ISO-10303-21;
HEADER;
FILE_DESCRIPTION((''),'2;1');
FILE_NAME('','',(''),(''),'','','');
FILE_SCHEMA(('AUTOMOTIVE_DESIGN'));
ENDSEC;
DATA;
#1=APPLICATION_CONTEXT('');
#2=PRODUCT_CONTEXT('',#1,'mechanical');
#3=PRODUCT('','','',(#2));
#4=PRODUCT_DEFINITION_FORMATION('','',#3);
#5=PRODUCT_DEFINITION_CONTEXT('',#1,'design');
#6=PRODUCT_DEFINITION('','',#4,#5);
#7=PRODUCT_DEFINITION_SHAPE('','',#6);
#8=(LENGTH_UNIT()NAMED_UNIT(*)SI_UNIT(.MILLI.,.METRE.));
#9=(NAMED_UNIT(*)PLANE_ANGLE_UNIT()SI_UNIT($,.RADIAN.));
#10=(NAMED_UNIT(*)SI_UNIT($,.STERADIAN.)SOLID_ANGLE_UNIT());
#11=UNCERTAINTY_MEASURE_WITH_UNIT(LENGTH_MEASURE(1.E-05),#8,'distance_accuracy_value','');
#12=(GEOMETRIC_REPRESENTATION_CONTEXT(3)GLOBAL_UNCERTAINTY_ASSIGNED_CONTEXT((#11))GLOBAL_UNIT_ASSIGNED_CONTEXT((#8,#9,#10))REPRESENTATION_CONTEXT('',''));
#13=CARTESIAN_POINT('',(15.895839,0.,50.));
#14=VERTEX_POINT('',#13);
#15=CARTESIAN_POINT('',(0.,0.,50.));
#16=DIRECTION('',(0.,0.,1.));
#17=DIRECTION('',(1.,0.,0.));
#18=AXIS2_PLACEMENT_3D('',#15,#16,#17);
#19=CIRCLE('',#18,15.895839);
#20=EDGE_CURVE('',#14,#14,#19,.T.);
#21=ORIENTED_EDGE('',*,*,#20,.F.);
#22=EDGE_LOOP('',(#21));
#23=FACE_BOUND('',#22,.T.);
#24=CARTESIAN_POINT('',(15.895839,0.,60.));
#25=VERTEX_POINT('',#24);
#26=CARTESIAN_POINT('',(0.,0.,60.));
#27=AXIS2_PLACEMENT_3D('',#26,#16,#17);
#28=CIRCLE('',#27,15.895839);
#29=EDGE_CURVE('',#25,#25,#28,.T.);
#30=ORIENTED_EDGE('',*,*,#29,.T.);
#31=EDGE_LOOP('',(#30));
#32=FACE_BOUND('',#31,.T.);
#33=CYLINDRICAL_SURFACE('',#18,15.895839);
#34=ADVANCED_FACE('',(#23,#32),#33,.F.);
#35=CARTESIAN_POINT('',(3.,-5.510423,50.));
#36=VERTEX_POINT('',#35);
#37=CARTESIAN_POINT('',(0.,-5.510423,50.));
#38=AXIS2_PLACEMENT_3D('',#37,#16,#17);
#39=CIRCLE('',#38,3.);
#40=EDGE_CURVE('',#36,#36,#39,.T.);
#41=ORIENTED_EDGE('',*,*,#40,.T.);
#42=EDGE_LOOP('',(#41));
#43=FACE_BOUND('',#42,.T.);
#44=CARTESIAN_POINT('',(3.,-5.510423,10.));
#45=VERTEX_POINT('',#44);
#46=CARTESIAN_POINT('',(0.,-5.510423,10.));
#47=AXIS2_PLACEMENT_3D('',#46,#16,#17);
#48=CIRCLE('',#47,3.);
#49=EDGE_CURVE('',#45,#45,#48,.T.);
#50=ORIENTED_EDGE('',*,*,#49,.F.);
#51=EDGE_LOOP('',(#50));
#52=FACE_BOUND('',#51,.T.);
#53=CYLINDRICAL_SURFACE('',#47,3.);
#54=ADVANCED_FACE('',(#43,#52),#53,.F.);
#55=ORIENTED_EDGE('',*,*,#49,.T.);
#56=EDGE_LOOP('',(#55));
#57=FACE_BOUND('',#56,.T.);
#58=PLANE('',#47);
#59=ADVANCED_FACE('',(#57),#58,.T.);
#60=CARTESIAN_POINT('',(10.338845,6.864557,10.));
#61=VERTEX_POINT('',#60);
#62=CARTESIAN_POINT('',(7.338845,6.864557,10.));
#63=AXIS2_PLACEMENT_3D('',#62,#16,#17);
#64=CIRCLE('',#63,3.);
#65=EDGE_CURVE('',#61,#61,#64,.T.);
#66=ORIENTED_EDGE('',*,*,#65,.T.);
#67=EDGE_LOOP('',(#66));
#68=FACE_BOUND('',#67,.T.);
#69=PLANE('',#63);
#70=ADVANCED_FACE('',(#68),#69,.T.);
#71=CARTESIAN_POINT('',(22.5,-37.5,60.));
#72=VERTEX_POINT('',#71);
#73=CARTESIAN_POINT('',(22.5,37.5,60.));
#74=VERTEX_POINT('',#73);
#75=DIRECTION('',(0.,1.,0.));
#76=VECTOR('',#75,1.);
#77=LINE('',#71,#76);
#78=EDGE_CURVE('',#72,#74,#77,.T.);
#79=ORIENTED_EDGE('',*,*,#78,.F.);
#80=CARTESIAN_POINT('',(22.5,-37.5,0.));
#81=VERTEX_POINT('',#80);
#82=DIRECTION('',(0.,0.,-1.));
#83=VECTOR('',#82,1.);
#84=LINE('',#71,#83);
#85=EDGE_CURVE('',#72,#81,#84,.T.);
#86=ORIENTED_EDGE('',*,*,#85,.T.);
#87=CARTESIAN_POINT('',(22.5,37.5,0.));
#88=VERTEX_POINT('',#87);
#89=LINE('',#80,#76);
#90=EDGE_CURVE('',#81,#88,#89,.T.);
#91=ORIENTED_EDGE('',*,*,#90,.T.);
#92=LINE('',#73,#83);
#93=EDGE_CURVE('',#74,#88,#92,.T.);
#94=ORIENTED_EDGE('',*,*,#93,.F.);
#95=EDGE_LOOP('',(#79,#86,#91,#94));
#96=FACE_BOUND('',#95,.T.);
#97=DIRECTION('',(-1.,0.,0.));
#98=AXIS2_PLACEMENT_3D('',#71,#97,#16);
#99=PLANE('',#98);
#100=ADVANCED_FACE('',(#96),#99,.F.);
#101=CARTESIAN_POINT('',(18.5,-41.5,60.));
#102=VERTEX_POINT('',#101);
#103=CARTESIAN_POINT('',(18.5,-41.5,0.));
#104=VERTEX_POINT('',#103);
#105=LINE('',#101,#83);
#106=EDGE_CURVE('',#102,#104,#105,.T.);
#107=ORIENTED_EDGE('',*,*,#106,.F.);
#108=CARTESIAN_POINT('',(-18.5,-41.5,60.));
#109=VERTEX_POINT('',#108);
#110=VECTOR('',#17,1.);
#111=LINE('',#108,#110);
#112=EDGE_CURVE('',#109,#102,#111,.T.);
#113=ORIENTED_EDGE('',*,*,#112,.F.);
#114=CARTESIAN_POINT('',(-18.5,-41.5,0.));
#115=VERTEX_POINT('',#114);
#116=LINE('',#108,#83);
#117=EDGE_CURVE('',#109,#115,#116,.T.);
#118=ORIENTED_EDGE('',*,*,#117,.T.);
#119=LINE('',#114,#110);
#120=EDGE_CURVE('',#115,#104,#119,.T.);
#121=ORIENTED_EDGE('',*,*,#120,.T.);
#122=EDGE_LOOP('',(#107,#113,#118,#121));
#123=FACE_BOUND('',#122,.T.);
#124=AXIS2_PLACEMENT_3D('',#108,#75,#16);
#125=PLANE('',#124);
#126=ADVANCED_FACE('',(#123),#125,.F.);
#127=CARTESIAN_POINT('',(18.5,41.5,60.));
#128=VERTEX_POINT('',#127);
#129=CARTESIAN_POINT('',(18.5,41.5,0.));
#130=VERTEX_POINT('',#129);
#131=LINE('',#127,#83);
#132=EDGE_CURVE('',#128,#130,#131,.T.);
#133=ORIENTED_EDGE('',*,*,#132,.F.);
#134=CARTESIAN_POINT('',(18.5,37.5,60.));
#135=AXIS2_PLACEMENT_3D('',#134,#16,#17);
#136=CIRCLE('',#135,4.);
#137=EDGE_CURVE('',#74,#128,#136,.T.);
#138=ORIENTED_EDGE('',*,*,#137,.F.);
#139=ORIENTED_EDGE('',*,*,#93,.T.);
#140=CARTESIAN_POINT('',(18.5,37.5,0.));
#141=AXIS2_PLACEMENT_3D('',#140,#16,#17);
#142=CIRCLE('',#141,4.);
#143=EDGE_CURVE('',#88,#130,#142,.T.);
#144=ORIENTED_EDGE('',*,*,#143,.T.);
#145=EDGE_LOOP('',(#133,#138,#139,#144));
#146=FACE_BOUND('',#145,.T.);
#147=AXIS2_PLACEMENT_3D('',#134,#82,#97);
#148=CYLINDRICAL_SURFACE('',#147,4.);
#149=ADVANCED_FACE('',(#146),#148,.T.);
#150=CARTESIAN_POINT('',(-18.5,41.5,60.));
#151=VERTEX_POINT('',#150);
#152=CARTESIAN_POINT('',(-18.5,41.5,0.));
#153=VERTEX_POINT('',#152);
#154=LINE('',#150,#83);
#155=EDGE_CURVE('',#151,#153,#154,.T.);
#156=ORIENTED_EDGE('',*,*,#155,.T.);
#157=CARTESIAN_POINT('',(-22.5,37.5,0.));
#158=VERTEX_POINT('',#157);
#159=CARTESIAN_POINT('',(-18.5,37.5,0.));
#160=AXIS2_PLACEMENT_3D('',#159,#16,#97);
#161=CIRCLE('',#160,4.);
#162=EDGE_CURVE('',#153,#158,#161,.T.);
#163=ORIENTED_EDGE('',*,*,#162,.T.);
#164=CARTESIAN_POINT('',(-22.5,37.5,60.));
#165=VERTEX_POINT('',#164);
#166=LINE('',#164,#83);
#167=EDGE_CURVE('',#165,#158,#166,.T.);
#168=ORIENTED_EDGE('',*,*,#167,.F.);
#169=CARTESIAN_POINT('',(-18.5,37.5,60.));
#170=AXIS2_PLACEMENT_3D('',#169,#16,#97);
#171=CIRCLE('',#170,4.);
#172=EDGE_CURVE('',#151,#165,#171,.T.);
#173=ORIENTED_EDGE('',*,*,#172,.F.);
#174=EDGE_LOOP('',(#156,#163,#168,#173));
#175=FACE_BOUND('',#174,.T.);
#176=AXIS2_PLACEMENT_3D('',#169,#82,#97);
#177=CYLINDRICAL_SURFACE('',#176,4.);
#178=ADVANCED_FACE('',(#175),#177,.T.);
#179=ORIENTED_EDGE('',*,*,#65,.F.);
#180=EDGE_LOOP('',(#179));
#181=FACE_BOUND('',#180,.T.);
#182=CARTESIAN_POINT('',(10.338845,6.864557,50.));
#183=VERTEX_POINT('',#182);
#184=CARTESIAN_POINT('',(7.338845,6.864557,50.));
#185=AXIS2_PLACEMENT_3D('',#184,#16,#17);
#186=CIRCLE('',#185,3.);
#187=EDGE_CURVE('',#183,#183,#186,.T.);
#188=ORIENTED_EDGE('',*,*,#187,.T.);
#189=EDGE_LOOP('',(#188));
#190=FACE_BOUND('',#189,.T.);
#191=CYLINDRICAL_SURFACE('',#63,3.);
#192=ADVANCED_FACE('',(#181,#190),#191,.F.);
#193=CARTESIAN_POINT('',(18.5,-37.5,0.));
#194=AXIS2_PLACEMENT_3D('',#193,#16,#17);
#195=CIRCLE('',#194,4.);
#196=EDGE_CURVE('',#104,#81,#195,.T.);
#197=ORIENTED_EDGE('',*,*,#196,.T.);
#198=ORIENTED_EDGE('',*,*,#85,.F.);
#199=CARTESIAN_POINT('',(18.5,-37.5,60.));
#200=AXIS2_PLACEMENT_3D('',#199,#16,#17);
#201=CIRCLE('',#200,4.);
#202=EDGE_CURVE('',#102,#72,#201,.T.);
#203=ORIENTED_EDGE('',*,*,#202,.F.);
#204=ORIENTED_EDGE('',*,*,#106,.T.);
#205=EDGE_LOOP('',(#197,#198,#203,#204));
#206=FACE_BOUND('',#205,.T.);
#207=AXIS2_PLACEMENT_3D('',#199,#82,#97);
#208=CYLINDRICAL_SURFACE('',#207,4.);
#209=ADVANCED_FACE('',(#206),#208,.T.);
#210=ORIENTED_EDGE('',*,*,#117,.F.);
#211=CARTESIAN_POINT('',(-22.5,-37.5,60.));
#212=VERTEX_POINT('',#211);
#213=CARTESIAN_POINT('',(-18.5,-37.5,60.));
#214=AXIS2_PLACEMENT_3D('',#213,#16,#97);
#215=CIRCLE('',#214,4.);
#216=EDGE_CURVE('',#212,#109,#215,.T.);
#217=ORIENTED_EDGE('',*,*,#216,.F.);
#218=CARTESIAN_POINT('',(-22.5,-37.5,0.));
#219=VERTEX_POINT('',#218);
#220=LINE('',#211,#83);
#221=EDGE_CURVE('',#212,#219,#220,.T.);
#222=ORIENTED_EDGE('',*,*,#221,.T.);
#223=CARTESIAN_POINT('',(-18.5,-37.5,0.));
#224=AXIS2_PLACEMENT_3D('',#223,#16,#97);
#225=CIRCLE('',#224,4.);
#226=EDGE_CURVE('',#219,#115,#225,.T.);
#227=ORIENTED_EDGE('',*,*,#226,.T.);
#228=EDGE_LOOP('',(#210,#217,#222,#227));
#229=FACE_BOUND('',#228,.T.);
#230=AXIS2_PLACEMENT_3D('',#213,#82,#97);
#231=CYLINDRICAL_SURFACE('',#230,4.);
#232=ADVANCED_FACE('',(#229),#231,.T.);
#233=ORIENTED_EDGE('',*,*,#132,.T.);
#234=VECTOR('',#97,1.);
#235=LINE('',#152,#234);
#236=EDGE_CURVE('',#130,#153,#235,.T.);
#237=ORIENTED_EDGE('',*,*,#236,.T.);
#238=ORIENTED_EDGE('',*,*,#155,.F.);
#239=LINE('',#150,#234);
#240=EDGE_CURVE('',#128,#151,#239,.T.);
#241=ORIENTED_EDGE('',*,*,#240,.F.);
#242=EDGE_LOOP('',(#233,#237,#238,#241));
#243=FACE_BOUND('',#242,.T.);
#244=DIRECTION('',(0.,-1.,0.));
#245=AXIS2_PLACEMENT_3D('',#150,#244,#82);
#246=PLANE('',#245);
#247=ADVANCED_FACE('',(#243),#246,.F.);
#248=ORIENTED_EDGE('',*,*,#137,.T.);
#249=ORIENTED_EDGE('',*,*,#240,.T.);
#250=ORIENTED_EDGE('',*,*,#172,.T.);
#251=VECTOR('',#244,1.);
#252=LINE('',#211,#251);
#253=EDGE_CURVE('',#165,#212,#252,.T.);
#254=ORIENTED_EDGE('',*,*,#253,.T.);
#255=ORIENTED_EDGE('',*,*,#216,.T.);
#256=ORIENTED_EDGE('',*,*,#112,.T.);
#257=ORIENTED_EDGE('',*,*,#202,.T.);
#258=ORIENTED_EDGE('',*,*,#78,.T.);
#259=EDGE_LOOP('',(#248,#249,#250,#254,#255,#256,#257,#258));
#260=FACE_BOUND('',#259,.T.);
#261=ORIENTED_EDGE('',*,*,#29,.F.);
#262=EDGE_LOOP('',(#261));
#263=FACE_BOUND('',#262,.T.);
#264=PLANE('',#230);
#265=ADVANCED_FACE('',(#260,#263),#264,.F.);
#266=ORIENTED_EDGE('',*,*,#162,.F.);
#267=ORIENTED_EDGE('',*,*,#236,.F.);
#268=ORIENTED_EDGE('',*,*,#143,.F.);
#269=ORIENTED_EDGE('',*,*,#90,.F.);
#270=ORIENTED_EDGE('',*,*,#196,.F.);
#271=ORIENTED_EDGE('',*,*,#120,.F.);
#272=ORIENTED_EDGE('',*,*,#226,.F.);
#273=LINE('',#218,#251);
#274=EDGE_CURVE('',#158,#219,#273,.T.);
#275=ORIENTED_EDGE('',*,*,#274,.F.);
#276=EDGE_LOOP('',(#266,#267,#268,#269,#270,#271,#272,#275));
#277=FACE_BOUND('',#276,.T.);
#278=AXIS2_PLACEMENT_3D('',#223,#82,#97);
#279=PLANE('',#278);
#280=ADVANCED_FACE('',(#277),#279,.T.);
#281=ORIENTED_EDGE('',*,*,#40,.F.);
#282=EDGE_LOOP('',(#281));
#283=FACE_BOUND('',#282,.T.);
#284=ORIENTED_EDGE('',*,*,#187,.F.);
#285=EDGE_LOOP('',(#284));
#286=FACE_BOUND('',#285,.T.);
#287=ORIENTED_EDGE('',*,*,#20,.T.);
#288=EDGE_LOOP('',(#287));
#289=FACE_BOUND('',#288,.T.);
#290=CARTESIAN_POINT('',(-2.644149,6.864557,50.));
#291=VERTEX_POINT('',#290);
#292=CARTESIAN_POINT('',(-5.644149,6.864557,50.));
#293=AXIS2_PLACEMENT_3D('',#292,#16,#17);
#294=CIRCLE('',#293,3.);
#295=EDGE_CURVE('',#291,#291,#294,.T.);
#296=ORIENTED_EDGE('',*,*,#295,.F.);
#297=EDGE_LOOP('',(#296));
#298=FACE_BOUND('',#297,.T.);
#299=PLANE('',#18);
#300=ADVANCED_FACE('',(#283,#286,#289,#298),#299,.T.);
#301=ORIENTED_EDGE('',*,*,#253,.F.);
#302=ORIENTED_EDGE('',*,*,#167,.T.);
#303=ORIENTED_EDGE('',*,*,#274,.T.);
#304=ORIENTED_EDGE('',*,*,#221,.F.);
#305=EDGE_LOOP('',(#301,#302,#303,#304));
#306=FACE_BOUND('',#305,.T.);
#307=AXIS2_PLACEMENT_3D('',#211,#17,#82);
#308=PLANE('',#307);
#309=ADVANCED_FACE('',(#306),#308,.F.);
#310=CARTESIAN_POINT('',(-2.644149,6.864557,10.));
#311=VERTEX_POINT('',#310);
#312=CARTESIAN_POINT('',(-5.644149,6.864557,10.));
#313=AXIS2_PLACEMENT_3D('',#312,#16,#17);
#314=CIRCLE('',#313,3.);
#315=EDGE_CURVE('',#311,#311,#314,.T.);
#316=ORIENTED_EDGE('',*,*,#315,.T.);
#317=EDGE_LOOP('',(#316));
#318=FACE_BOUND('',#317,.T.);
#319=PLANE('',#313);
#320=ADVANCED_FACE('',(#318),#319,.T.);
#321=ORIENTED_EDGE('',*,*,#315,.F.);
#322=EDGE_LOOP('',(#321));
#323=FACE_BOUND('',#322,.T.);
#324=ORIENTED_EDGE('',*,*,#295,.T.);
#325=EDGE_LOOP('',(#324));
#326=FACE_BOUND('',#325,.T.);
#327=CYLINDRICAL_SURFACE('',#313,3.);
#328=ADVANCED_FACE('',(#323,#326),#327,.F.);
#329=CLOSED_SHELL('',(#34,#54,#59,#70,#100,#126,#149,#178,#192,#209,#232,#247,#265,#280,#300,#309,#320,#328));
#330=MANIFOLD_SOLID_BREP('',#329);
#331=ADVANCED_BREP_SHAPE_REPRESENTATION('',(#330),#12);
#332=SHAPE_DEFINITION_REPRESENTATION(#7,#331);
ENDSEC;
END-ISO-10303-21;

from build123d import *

# Parameters (mm, degrees)
BOSS_EXTRUDE1_DEPTH = 60
SKETCH3_R           = 15.895839237
CUT_EXTRUDE1_DEPTH  = 10
SKETCH4_R           = 3
CUT_EXTRUDE2_DEPTH  = 40


with BuildPart() as part:
    # Sketch2 → Boss-Extrude1 (new body)
    with BuildSketch(Plane.XY):
        with BuildLine():
            Line((-18.5, -41.5), (18.5, -41.5))
            ThreePointArc((18.5, -41.5), (21.328427125, -40.328427125), (22.5, -37.5))
            Line((22.5, -37.5), (22.5, 37.5))
            ThreePointArc((22.5, 37.5), (21.328427125, 40.328427125), (18.5, 41.5))
            Line((18.5, 41.5), (-18.5, 41.5))
            ThreePointArc((-18.5, 41.5), (-21.328427125, 40.328427125), (-22.5, 37.5))
            Line((-22.5, 37.5), (-22.5, -37.5))
            ThreePointArc((-22.5, -37.5), (-21.328427125, -40.328427125), (-18.5, -41.5))
        make_face()
    extrude(amount=BOSS_EXTRUDE1_DEPTH)

    # Sketch3 → Cut-Extrude1 (cut)
    with BuildSketch(Plane.XY.offset(60)):
        Circle(SKETCH3_R)
    extrude(amount=-CUT_EXTRUDE1_DEPTH, mode=Mode.SUBTRACT)

    # Sketch4 → Cut-Extrude2 (cut)
    with BuildSketch(Plane.XY.offset(50)):
        with Locations((7.338844811, 6.864557304)):
            Circle(SKETCH4_R)
        with Locations((-5.644149057, 6.864557304)):
            Circle(SKETCH4_R)
        with Locations((0, -5.510422777)):
            Circle(SKETCH4_R)
    extrude(amount=-CUT_EXTRUDE2_DEPTH, mode=Mode.SUBTRACT)


solid = part.part
